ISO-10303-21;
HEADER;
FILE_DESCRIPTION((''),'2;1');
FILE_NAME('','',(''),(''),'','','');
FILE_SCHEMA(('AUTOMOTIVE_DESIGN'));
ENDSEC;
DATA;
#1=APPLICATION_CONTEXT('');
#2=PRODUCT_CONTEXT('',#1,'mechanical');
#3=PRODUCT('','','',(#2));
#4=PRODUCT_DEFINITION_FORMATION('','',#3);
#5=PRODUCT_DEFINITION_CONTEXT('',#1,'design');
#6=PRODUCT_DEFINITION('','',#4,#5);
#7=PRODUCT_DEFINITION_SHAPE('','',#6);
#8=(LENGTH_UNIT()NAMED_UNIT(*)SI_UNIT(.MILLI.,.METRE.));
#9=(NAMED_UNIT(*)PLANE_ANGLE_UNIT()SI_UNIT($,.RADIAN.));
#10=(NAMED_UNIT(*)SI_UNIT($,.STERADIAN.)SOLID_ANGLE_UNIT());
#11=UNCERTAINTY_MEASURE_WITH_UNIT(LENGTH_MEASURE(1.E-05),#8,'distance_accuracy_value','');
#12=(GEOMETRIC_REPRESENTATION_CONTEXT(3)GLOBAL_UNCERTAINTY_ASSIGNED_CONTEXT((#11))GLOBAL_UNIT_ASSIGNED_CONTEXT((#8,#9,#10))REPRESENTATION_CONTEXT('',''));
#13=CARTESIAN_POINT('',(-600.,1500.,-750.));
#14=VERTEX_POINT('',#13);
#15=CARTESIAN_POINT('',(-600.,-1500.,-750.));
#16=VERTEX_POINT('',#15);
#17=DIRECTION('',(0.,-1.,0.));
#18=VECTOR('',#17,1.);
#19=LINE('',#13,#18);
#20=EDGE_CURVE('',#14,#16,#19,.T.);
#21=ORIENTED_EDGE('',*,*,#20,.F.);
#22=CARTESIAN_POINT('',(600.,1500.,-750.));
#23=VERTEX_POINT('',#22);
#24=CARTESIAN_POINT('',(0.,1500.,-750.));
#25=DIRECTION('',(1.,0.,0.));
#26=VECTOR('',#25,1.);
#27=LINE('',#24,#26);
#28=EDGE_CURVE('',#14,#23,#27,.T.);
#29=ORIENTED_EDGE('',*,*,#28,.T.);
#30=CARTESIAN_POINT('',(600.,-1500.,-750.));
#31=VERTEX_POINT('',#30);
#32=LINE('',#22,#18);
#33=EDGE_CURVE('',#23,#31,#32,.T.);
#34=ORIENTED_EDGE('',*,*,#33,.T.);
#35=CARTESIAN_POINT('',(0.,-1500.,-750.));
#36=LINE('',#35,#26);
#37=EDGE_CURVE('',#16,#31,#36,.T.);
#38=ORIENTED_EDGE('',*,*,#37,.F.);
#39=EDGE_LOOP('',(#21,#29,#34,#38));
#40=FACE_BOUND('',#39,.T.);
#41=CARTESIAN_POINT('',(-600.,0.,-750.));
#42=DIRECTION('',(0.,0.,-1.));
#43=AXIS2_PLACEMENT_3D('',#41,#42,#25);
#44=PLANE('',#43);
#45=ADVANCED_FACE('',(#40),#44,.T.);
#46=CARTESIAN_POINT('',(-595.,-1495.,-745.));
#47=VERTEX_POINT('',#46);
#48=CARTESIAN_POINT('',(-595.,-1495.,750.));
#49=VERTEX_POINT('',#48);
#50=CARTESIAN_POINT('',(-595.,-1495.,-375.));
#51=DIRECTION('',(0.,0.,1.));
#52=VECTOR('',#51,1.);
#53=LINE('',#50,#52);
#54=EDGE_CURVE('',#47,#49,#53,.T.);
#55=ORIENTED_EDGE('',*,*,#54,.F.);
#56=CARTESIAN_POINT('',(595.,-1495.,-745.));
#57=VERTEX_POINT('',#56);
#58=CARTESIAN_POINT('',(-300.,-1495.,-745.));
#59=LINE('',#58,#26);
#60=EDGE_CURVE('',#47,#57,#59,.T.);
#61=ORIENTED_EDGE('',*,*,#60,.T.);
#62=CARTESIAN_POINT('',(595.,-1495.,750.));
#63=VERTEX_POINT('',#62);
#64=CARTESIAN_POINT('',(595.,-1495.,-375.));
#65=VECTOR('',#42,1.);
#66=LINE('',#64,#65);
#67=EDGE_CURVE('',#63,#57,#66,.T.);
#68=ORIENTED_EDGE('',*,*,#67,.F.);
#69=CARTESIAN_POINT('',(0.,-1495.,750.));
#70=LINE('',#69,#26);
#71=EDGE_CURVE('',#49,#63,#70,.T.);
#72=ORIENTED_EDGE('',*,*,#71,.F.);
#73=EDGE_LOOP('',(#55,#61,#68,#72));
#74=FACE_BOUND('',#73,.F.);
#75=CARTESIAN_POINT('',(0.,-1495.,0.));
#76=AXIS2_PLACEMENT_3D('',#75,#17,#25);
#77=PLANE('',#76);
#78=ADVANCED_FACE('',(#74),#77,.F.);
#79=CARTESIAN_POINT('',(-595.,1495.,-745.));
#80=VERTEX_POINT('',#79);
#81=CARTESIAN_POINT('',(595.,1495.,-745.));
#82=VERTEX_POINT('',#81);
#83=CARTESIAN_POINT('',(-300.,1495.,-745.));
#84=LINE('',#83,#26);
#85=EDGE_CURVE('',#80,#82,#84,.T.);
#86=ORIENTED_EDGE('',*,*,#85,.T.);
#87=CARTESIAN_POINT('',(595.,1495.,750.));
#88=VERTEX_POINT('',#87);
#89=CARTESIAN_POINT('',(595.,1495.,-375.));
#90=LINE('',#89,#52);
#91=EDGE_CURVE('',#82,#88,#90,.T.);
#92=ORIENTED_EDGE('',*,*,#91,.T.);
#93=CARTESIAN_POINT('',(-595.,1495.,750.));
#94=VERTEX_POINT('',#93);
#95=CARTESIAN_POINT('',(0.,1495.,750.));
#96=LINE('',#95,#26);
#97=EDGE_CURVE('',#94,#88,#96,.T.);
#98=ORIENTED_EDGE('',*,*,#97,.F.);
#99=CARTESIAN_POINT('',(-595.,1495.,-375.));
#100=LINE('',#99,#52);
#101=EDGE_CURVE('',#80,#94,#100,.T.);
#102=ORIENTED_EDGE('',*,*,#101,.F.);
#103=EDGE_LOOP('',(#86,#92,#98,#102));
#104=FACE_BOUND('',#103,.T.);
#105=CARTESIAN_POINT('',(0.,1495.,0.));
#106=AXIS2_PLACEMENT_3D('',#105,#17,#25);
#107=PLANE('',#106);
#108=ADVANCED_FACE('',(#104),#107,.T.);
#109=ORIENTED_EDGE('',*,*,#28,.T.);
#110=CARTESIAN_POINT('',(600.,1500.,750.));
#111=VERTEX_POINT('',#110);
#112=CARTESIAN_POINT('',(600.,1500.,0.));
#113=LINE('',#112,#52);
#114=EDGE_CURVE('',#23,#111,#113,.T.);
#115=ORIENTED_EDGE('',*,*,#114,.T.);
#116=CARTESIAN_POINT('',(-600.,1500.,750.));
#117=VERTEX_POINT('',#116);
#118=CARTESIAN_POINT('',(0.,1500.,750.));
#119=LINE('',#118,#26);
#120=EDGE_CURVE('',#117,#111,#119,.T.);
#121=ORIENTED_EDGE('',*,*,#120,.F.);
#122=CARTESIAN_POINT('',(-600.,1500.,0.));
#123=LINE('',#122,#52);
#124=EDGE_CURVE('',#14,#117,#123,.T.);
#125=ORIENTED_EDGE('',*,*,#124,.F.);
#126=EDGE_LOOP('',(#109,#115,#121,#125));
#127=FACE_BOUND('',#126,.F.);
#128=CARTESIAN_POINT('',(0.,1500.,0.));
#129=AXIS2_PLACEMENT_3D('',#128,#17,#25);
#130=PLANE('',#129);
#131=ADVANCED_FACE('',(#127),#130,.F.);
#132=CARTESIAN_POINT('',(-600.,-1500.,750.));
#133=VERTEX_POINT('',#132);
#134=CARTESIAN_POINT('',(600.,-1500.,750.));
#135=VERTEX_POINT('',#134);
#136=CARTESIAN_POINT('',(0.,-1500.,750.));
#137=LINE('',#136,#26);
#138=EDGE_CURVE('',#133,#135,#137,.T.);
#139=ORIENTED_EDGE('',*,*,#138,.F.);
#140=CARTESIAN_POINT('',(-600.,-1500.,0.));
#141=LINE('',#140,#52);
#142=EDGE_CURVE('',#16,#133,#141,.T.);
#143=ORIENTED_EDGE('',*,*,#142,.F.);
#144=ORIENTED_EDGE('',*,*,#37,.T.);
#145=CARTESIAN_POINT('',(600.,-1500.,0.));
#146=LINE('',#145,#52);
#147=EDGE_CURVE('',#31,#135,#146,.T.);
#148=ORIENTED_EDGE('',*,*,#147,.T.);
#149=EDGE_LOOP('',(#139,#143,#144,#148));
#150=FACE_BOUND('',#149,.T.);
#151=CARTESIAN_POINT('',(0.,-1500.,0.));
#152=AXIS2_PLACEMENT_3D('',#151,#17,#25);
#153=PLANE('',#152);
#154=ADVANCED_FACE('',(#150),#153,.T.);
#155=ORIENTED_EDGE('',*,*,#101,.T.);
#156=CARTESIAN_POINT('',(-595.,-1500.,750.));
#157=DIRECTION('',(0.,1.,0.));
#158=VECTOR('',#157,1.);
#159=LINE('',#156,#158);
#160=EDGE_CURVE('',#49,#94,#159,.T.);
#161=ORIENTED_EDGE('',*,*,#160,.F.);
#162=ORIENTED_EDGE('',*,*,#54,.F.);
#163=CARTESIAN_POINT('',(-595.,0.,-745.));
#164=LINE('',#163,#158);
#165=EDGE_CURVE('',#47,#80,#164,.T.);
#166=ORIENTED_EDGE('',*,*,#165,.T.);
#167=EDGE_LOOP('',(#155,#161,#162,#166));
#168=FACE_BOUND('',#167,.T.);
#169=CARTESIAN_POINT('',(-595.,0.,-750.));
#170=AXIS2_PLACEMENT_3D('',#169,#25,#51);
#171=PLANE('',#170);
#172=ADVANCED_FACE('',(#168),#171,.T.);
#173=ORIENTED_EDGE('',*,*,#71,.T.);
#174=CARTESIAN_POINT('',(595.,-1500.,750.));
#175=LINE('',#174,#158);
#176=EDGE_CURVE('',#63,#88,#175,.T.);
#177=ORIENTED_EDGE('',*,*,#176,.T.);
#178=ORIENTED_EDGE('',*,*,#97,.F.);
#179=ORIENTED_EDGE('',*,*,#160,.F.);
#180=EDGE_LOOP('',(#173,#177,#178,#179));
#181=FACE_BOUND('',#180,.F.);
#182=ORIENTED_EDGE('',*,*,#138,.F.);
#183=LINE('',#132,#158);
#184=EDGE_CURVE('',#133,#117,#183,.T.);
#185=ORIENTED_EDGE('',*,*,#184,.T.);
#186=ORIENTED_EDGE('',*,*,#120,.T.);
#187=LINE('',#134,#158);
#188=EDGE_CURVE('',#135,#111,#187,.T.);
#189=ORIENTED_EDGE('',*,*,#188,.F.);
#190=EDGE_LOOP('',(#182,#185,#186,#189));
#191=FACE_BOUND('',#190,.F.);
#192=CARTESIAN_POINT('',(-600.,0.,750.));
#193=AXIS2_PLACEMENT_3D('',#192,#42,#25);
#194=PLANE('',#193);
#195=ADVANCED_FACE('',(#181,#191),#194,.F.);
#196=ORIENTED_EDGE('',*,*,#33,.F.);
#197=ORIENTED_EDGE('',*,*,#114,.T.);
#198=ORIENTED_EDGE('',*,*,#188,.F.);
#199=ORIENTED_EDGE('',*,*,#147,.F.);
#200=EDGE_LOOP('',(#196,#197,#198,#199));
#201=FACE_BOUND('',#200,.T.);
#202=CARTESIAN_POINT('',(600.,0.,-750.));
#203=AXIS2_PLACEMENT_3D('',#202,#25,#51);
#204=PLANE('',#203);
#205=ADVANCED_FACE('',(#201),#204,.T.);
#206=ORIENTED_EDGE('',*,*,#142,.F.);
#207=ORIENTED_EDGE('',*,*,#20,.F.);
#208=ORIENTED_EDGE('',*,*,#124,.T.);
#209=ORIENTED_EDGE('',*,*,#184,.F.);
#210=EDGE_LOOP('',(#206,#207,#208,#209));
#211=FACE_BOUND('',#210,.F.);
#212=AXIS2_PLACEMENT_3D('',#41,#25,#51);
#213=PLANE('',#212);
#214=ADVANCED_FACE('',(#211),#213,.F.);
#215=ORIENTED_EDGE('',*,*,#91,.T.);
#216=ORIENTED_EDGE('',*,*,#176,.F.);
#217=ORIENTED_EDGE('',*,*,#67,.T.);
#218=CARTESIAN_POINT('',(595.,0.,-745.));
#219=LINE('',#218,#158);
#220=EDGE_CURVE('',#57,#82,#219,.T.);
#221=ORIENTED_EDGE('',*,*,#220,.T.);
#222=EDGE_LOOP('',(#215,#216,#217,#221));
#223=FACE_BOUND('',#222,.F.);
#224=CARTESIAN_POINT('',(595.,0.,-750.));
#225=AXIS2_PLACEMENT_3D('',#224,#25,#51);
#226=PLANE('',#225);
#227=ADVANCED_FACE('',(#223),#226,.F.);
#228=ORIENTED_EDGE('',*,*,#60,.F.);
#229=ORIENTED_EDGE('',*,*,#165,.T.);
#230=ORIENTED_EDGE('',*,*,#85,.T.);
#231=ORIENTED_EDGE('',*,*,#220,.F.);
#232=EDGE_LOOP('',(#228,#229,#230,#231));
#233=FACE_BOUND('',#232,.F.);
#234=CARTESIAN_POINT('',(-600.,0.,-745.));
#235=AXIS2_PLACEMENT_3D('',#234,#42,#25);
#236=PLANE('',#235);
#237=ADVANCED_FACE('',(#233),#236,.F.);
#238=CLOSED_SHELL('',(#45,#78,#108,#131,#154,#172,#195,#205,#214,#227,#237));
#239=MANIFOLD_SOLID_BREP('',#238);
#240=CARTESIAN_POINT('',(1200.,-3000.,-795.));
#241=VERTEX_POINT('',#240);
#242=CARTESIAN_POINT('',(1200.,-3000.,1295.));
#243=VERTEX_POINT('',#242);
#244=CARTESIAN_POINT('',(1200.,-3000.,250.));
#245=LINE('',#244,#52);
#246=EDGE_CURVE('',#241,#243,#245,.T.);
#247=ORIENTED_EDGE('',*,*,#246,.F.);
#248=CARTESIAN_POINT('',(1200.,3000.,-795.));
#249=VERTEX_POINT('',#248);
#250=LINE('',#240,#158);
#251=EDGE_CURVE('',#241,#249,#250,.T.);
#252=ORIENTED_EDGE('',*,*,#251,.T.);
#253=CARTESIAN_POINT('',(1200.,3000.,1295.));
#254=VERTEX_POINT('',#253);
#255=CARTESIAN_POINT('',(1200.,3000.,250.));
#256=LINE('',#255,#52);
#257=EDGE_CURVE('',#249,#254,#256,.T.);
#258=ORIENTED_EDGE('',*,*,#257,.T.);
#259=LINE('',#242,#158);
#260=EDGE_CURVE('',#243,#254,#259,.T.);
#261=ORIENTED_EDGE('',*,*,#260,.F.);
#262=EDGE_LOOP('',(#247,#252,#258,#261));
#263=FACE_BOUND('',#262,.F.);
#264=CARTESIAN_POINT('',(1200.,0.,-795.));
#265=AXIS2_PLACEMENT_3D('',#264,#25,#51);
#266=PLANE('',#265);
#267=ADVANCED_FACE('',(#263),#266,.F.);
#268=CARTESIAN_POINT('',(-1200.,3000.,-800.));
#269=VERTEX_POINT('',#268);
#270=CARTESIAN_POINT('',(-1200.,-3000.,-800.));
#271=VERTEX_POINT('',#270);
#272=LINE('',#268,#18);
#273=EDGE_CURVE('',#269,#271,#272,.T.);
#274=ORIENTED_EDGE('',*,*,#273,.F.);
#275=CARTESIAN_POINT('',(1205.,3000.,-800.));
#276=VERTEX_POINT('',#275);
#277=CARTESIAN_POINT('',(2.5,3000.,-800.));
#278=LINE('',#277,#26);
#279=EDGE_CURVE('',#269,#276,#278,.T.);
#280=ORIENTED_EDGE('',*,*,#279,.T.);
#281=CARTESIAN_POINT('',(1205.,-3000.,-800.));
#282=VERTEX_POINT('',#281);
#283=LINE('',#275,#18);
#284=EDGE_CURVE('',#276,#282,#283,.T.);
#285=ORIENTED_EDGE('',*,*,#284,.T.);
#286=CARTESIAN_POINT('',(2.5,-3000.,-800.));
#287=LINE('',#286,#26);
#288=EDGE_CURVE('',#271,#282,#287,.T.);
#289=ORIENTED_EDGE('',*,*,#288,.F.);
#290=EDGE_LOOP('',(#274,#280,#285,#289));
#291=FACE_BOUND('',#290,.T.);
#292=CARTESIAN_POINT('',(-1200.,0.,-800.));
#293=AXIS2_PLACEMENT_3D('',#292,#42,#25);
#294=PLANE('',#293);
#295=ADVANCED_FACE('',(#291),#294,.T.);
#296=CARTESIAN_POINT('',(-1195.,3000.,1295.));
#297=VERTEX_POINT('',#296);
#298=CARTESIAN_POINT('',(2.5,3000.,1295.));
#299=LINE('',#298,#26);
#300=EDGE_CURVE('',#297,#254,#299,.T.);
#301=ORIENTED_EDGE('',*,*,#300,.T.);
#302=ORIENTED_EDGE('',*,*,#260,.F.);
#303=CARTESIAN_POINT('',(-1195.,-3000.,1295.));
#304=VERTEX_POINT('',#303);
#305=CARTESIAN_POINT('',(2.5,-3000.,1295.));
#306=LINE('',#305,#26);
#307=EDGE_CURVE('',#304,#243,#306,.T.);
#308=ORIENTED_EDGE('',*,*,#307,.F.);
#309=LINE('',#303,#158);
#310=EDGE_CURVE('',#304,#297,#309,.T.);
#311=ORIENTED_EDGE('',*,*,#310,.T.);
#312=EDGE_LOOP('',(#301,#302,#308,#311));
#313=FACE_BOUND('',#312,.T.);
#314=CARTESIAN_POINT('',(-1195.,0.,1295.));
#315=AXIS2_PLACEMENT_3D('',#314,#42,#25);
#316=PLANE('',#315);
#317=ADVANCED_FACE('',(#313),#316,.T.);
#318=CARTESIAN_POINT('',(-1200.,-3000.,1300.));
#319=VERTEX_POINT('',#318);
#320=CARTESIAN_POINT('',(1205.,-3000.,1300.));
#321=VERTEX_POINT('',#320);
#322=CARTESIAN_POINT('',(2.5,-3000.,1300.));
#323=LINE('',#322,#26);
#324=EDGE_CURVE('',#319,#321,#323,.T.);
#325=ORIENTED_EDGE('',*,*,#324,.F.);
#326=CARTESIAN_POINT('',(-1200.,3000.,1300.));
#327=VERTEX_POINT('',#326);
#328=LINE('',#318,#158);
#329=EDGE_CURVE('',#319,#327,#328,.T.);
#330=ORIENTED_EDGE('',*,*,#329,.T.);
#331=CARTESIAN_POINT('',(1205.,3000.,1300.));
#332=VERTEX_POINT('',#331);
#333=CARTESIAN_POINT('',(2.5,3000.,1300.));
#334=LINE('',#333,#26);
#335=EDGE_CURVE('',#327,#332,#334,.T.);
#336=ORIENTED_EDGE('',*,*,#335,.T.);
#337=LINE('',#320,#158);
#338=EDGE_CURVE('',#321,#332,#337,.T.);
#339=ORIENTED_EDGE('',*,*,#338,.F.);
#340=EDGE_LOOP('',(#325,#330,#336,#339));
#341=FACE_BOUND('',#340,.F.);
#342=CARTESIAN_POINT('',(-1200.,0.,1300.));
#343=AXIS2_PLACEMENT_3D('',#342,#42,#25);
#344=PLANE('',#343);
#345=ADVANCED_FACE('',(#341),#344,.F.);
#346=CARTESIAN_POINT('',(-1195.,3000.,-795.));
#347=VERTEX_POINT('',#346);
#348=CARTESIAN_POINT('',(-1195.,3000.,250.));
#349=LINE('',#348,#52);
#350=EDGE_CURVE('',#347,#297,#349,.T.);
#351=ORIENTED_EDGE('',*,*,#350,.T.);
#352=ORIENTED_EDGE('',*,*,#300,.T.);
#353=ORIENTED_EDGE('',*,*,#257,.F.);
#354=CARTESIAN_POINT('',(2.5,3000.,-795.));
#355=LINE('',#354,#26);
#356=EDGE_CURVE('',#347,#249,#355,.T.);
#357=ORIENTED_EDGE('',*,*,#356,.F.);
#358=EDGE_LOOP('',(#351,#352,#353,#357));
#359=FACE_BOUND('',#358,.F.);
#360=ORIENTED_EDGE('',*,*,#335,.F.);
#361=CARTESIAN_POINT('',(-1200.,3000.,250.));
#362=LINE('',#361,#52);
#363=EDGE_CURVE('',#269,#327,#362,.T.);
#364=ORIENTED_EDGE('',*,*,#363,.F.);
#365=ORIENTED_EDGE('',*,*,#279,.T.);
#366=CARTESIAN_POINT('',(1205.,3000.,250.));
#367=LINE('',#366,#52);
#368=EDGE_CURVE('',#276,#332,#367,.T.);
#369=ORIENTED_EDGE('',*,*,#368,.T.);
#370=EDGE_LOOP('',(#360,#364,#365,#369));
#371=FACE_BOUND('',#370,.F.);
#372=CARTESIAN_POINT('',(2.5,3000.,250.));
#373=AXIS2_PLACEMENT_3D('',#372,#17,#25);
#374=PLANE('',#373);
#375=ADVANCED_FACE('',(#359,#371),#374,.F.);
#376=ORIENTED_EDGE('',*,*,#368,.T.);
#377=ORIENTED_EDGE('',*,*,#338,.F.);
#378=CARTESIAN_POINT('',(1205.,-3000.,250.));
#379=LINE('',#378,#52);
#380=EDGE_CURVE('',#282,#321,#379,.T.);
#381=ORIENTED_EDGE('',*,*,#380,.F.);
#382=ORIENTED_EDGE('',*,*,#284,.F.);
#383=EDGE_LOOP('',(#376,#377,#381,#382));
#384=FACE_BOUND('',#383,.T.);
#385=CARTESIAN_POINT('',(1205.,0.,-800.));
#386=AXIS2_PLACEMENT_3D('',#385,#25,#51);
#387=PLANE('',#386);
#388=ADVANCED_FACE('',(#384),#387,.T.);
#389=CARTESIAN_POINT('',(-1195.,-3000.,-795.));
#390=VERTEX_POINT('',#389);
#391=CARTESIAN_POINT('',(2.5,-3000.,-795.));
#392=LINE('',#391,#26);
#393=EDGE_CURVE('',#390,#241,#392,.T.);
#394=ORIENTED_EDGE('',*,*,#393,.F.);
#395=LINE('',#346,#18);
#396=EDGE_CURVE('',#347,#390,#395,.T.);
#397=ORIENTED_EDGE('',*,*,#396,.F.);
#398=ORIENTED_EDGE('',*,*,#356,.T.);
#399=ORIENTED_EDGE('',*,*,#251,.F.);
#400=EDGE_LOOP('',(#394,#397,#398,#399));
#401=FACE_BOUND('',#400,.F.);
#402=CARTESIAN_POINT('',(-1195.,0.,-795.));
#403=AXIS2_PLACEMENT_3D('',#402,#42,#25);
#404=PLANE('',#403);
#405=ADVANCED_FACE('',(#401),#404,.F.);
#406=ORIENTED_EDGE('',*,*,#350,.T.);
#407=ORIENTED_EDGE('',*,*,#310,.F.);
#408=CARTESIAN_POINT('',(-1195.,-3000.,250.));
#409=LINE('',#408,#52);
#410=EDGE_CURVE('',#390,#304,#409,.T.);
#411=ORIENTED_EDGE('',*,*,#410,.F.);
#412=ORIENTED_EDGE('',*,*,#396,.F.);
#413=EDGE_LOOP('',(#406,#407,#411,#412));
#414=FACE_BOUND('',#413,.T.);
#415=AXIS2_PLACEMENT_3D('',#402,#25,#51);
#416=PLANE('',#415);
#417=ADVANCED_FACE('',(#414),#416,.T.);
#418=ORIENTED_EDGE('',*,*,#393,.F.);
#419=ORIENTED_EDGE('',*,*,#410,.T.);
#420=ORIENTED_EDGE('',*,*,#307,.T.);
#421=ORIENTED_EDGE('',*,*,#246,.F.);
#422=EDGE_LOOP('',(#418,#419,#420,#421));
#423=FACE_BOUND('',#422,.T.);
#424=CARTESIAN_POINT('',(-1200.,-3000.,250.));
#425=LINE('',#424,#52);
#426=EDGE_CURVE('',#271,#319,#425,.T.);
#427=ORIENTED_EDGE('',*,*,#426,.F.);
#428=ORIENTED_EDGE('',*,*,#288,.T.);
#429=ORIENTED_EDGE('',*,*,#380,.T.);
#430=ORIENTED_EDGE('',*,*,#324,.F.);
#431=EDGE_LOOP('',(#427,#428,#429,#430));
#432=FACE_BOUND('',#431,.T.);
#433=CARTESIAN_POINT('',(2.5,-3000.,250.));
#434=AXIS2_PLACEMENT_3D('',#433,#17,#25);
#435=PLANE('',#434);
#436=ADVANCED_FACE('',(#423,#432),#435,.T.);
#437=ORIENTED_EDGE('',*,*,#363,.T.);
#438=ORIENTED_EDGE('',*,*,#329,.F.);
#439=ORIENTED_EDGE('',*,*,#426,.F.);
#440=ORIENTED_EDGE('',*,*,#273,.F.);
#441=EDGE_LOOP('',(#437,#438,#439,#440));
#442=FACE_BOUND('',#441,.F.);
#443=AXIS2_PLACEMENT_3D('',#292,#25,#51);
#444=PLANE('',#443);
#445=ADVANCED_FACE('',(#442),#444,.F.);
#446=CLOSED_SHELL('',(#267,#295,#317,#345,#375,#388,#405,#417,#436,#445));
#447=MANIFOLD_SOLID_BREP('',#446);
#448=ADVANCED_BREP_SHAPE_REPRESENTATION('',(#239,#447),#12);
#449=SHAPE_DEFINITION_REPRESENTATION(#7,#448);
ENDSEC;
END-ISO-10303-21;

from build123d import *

# Parameters (mm, degrees)
F0_W     = 1200
F0_H     = 1500
F1_DEPTH = 1500
F2_T     = -5
F3_W     = 2405
F3_H     = 2100
F3_W_2   = 2395
F3_H_2   = 2090
F4_DEPTH = 3000


with BuildPart() as f1:
    # F0 (on Front) → F1 (new body, symmetric)
    with BuildSketch(Plane.XZ):
        Rectangle(F0_W, F0_H)
    extrude(amount=F1_DEPTH, both=True)

    # F2
    f2_openings = [f1.faces().sort_by_distance(p)[0] for p in [
        (0, 0, 750),
    ]]
    offset(amount=F2_T, openings=f2_openings)


with BuildPart() as f4:
    # F3 (on Front) → F4 (new body, symmetric)
    with BuildSketch(Plane.XZ):
        with Locations((2.5, 250)):
            Rectangle(F3_W, F3_H)
        with Locations((2.5, 250)):
            Rectangle(F3_W_2, F3_H_2, mode=Mode.SUBTRACT)
    extrude(amount=F4_DEPTH, both=True)


solid = Compound([f1.part, f4.part])
